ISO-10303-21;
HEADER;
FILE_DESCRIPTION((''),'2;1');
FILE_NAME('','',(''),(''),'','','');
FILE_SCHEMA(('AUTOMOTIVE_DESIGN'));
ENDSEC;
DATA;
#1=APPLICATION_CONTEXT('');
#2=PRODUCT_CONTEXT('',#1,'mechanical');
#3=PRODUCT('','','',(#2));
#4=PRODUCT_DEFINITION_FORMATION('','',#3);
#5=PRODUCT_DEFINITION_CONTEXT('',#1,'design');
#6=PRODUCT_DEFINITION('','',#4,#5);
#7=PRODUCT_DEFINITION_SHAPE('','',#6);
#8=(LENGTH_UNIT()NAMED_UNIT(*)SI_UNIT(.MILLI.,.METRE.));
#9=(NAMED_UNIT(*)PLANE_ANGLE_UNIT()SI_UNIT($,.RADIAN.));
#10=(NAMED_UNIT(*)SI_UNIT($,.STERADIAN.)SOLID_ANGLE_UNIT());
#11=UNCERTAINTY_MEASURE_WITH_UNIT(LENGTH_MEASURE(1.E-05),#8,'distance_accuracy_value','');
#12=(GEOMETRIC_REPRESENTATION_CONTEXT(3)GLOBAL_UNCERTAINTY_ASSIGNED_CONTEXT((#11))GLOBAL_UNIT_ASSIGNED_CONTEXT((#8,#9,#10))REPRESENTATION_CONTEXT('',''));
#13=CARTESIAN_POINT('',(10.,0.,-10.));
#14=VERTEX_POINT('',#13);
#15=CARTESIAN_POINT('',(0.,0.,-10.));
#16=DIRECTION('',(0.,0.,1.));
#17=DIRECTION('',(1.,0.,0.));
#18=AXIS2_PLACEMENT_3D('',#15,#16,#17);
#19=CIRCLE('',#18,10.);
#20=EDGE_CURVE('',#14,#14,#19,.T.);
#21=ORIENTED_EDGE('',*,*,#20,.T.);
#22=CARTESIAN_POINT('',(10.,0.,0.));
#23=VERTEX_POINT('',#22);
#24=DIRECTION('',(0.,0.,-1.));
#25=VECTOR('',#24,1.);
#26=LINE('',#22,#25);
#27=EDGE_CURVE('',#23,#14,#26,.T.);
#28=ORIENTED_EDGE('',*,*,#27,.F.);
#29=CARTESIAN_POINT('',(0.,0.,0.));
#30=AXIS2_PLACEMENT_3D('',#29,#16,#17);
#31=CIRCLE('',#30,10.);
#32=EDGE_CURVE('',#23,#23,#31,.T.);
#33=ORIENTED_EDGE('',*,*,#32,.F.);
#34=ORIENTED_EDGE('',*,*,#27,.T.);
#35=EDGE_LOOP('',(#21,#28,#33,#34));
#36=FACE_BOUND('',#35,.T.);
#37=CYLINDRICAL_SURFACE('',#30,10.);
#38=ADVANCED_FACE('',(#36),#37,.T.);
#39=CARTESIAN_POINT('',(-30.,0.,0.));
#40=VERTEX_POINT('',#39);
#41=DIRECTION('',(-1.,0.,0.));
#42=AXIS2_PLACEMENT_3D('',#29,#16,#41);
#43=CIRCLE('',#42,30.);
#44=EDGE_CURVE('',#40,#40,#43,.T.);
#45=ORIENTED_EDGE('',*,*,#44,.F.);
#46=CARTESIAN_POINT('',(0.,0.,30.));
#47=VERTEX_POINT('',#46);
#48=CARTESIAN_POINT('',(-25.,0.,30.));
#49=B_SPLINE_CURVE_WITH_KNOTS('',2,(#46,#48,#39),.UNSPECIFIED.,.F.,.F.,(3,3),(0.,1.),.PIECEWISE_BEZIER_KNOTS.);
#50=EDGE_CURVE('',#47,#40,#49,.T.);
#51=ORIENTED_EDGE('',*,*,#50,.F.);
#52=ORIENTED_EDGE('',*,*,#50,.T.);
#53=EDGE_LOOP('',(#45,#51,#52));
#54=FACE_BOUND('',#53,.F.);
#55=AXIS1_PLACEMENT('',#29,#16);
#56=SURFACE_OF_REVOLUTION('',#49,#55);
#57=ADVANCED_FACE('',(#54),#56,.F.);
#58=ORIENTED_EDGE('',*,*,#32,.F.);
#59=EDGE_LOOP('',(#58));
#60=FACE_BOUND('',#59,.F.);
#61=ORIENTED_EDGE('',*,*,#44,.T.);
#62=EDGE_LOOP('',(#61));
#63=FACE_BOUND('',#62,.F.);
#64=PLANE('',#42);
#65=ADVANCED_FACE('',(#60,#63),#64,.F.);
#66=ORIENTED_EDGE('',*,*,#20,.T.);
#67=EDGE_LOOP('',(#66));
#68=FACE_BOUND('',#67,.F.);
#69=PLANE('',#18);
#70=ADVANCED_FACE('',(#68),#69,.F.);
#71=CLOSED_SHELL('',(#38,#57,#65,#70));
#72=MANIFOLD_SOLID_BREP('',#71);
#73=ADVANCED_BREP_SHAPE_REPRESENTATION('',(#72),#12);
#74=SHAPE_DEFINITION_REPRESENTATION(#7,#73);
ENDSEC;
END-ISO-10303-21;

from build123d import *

# Parameters (mm, degrees)
SKETCH001_R = 10
PAD_DEPTH   = 10


with BuildPart() as part:
    # Sketch → Revolution (revolve)
    with BuildSketch(Plane.XZ):
        with BuildLine():
            add(Edge.make_bspline(
                [(0, 30), (-25, 30), (-30, 0)],
                knots=[0, 0, 0, 1, 1, 1], degree=2))
            Line((-30, 0), (0, 0))
            Line((0, 0), (0, 30))
        make_face()
    revolve(axis=Axis((0, 0, 0), (0, 0, 1)))

    # Sketch001 → Pad (new body)
    with BuildSketch(Plane.XY):
        Circle(SKETCH001_R)
    extrude(amount=-PAD_DEPTH)


solid = part.part
